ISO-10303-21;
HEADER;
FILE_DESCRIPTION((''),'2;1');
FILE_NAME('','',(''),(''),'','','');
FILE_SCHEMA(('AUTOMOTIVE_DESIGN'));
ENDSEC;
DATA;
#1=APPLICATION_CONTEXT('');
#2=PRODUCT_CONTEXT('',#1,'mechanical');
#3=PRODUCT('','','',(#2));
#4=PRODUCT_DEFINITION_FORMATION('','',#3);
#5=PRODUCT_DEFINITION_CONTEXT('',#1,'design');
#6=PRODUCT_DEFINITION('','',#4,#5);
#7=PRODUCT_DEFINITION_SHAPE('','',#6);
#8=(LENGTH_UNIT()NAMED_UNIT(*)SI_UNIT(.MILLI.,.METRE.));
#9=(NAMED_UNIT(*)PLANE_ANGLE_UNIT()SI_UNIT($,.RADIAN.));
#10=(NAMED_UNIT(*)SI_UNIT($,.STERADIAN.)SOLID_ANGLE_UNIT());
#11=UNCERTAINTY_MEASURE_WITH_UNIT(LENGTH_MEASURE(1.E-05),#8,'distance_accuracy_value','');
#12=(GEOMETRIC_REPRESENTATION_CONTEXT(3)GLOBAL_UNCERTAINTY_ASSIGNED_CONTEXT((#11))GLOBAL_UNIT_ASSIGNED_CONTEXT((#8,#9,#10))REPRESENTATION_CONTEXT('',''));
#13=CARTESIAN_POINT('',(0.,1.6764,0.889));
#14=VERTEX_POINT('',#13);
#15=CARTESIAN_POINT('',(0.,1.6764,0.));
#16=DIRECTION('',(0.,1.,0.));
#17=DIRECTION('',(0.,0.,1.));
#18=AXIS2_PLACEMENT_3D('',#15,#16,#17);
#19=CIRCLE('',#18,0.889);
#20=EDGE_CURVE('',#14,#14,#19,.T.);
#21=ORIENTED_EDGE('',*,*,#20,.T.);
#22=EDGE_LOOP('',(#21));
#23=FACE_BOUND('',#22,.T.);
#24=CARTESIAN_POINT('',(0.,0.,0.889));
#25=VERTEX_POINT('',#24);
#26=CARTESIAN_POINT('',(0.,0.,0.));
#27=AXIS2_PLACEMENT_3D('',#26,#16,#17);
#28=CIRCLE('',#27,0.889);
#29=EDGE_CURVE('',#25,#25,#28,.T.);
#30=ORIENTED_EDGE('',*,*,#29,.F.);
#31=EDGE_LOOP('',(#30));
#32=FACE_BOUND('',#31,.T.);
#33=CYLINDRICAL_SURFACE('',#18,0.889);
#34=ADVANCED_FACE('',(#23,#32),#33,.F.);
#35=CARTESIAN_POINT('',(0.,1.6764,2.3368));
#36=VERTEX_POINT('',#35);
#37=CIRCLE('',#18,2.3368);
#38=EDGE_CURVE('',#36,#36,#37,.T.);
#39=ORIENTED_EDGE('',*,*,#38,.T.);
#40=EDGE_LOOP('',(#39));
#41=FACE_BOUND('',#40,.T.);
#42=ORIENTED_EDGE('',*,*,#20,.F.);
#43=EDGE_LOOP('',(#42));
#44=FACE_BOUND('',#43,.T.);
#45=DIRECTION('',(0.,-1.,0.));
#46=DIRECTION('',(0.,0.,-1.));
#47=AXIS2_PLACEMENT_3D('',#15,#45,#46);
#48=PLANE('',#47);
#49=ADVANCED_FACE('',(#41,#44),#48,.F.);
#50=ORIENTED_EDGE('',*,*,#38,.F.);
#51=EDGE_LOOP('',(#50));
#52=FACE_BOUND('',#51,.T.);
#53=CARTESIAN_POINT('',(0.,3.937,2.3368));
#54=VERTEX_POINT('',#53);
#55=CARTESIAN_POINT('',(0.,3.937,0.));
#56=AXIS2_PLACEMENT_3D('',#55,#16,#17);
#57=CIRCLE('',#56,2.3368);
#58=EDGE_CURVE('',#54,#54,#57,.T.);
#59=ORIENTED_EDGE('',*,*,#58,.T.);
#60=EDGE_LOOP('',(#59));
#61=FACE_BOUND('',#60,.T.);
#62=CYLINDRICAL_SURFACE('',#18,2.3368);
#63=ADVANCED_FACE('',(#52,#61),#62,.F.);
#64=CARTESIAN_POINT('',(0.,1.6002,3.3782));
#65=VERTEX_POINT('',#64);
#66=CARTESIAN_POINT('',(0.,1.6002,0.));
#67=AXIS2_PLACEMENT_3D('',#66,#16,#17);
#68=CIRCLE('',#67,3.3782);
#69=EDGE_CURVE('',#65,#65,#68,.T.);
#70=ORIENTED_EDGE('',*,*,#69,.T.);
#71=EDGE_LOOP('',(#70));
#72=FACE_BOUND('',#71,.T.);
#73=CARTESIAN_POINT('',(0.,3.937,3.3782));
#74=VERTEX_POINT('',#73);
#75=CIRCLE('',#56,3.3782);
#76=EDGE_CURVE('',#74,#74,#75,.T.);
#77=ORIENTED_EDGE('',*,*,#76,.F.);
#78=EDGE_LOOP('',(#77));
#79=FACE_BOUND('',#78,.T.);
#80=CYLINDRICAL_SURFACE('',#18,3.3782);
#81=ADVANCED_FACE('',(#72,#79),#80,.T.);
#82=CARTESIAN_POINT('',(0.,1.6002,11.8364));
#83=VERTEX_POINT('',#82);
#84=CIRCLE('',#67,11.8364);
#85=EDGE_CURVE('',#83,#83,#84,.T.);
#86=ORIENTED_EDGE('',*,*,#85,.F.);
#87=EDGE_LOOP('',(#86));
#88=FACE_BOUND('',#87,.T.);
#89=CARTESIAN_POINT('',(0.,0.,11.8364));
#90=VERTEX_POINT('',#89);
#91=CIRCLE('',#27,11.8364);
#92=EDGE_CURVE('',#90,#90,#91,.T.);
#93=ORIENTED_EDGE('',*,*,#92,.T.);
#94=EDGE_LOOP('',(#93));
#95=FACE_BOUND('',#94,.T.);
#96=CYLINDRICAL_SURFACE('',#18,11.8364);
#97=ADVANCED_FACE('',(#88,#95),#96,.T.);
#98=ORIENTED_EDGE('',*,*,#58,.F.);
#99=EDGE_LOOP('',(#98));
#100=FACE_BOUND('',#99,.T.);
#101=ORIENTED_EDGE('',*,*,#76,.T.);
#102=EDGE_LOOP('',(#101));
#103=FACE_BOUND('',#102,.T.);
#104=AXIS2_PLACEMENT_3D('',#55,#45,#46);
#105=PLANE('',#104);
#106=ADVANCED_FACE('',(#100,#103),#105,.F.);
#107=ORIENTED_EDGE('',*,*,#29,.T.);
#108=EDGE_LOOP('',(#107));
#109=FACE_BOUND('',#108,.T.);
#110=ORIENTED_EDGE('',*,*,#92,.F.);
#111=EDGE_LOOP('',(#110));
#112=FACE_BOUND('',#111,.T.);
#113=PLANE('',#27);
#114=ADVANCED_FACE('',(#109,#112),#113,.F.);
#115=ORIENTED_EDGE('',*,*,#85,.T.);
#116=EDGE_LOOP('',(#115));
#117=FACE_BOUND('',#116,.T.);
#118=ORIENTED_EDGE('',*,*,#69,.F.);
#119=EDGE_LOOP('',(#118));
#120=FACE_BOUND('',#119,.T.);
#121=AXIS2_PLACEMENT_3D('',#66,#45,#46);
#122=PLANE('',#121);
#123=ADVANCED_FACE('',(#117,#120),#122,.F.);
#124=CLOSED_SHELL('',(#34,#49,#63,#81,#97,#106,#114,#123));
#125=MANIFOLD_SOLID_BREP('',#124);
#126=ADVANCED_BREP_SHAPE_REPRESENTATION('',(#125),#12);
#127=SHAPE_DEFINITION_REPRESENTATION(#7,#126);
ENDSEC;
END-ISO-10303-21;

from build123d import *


with BuildPart() as part:
    # Sketch1 → Revolve1 (revolve)
    with BuildSketch(Plane.XY):
        Polygon((0.889, 1.6764), (0.889, 0), (11.8364, 0), (11.8364, 1.6002), (3.3782, 1.6002), (3.3782, 3.937), (2.3368, 3.937), (2.3368, 1.6764), align=None)
    revolve(axis=Axis((0, 1.6764, 0), (0, -1, 0)))


solid = part.part
